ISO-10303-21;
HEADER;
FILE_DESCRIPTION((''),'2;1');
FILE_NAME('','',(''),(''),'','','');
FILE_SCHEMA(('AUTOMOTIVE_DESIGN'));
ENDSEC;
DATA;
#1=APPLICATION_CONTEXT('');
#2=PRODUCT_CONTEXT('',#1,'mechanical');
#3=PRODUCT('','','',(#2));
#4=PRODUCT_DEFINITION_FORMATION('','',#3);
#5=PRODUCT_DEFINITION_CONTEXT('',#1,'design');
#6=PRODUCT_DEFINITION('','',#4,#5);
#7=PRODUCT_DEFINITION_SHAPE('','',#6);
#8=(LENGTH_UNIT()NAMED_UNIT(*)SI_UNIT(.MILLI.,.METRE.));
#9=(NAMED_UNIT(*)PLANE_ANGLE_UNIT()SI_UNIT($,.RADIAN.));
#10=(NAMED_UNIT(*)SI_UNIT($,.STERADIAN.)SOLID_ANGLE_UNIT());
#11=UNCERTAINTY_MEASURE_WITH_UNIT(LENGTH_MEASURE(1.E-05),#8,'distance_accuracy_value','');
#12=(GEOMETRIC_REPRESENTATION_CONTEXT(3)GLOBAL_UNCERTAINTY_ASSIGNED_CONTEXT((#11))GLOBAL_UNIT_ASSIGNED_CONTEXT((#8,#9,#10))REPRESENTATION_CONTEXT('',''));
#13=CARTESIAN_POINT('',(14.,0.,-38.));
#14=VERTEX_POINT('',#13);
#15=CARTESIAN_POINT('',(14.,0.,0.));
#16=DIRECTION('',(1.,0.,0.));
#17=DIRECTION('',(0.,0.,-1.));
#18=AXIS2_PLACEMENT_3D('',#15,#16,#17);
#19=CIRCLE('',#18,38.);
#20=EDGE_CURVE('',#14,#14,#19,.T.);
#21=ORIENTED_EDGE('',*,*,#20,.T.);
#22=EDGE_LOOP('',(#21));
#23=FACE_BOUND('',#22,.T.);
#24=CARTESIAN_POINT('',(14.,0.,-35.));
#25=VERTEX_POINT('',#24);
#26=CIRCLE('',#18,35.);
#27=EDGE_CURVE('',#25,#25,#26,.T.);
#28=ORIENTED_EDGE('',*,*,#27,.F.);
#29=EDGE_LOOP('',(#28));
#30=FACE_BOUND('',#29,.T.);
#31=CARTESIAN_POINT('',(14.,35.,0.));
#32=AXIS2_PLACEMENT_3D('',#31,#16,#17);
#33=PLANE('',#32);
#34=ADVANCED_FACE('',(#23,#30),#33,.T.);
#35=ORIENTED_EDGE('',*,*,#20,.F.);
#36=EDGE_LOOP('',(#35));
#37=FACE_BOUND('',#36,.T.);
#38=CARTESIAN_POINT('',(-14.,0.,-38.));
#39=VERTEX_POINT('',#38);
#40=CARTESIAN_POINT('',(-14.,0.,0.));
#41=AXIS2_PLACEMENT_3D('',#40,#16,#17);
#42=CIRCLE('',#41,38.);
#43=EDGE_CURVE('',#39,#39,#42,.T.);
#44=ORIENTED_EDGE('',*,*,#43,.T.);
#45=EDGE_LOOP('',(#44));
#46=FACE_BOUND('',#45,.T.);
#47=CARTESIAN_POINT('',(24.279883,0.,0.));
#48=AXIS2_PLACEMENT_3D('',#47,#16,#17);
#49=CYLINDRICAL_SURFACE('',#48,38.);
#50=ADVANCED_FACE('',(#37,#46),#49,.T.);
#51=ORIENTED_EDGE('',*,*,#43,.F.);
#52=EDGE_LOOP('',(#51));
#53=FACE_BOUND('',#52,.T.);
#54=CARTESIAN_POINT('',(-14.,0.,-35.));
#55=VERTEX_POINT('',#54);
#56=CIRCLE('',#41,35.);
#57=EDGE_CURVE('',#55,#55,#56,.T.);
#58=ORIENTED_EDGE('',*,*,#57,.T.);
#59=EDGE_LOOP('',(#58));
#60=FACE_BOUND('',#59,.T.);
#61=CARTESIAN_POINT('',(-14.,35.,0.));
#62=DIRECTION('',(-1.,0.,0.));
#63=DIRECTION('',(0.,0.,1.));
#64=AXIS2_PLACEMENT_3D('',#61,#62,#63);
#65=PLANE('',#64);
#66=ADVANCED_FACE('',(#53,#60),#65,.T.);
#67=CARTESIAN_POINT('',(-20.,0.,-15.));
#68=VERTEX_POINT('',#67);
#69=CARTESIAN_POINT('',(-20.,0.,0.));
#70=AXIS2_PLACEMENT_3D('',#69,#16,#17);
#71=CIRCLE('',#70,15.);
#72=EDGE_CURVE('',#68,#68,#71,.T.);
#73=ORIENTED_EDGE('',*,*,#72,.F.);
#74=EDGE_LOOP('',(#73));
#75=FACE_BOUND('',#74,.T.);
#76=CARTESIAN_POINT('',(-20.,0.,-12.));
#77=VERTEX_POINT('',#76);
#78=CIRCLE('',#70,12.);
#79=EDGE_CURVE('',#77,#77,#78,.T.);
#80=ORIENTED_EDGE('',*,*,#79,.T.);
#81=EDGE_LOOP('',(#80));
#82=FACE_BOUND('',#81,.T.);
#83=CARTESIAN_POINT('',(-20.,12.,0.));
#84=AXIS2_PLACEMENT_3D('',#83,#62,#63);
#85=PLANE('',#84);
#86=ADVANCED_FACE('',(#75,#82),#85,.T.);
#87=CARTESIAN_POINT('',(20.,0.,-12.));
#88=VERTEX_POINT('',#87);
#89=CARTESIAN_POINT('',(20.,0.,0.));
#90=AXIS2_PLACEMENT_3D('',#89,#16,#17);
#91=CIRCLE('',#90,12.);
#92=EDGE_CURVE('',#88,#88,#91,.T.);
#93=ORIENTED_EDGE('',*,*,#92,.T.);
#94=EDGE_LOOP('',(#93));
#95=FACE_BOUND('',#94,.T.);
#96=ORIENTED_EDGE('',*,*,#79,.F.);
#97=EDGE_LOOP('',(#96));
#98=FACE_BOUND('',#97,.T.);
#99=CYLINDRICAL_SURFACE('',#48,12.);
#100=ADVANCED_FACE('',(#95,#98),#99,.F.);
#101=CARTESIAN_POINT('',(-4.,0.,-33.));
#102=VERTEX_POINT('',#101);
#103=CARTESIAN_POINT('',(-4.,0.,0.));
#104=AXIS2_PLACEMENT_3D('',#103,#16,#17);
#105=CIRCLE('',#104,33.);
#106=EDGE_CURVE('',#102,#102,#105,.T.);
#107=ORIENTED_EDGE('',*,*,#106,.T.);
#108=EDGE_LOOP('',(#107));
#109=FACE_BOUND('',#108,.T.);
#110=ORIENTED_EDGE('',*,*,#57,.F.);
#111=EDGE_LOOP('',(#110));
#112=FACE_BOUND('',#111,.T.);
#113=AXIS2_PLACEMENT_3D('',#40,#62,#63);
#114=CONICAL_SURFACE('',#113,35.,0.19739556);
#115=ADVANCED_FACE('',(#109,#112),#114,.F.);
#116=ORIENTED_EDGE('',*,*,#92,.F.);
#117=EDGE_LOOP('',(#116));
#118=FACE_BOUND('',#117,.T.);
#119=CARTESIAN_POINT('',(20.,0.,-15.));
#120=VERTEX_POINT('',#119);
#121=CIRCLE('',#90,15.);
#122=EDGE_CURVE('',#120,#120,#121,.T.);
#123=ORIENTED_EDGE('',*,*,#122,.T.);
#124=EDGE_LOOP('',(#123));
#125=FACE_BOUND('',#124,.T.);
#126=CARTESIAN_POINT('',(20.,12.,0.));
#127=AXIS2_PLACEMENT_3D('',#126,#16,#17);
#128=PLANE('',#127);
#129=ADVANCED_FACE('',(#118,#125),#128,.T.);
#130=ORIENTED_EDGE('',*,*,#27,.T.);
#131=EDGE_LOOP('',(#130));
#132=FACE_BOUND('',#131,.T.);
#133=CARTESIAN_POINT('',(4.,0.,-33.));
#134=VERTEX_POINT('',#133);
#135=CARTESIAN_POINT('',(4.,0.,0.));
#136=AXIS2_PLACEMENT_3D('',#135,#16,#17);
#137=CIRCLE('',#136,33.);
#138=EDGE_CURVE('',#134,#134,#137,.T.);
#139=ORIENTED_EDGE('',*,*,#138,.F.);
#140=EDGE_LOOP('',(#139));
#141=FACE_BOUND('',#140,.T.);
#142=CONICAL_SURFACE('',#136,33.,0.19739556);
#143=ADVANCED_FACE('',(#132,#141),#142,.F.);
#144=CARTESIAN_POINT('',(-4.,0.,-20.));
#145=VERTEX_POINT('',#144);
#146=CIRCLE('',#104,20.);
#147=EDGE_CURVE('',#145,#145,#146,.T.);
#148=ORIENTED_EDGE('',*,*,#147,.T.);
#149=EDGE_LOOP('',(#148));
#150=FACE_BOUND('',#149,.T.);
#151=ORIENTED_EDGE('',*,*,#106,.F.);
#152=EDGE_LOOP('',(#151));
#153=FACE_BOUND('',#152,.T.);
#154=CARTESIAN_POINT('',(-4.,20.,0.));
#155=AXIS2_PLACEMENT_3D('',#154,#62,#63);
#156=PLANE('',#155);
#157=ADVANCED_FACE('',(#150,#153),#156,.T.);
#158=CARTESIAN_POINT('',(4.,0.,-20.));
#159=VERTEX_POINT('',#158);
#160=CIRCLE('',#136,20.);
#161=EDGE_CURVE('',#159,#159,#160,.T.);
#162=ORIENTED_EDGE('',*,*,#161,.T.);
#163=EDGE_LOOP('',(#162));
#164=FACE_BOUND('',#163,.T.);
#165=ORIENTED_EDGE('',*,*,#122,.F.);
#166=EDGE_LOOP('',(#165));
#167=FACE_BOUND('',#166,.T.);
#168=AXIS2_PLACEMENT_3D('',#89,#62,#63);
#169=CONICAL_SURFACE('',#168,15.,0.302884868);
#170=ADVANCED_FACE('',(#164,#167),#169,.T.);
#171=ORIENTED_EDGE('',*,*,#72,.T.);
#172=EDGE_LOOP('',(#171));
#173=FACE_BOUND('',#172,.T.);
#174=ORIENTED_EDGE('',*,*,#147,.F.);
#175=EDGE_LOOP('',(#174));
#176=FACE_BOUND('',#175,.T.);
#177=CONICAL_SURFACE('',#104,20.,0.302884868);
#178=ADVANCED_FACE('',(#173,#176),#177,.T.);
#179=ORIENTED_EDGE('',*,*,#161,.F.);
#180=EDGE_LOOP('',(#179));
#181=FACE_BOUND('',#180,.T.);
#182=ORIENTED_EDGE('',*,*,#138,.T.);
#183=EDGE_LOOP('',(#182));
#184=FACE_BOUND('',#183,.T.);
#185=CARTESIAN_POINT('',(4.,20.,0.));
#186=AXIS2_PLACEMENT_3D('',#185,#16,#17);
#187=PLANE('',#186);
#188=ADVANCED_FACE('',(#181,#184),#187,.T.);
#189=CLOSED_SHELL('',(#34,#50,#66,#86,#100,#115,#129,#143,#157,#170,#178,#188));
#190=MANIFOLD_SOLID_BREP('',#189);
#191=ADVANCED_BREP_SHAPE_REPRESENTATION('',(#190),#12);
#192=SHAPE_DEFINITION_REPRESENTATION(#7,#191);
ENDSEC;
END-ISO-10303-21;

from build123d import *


with BuildPart() as part:
    # Sketch1 → Revolve1 (revolve)
    with BuildSketch(Plane.XY):
        Polygon((20, 12), (20, 15), (4, 20), (4, 33), (14, 35), (14, 38), (-14, 38), (-14, 35), (-4, 33), (-4, 20), (-20, 15), (-20, 12), align=None)
    revolve(axis=Axis((24.279883382, 0, 0), (-1, 0, 0)))


solid = part.part
